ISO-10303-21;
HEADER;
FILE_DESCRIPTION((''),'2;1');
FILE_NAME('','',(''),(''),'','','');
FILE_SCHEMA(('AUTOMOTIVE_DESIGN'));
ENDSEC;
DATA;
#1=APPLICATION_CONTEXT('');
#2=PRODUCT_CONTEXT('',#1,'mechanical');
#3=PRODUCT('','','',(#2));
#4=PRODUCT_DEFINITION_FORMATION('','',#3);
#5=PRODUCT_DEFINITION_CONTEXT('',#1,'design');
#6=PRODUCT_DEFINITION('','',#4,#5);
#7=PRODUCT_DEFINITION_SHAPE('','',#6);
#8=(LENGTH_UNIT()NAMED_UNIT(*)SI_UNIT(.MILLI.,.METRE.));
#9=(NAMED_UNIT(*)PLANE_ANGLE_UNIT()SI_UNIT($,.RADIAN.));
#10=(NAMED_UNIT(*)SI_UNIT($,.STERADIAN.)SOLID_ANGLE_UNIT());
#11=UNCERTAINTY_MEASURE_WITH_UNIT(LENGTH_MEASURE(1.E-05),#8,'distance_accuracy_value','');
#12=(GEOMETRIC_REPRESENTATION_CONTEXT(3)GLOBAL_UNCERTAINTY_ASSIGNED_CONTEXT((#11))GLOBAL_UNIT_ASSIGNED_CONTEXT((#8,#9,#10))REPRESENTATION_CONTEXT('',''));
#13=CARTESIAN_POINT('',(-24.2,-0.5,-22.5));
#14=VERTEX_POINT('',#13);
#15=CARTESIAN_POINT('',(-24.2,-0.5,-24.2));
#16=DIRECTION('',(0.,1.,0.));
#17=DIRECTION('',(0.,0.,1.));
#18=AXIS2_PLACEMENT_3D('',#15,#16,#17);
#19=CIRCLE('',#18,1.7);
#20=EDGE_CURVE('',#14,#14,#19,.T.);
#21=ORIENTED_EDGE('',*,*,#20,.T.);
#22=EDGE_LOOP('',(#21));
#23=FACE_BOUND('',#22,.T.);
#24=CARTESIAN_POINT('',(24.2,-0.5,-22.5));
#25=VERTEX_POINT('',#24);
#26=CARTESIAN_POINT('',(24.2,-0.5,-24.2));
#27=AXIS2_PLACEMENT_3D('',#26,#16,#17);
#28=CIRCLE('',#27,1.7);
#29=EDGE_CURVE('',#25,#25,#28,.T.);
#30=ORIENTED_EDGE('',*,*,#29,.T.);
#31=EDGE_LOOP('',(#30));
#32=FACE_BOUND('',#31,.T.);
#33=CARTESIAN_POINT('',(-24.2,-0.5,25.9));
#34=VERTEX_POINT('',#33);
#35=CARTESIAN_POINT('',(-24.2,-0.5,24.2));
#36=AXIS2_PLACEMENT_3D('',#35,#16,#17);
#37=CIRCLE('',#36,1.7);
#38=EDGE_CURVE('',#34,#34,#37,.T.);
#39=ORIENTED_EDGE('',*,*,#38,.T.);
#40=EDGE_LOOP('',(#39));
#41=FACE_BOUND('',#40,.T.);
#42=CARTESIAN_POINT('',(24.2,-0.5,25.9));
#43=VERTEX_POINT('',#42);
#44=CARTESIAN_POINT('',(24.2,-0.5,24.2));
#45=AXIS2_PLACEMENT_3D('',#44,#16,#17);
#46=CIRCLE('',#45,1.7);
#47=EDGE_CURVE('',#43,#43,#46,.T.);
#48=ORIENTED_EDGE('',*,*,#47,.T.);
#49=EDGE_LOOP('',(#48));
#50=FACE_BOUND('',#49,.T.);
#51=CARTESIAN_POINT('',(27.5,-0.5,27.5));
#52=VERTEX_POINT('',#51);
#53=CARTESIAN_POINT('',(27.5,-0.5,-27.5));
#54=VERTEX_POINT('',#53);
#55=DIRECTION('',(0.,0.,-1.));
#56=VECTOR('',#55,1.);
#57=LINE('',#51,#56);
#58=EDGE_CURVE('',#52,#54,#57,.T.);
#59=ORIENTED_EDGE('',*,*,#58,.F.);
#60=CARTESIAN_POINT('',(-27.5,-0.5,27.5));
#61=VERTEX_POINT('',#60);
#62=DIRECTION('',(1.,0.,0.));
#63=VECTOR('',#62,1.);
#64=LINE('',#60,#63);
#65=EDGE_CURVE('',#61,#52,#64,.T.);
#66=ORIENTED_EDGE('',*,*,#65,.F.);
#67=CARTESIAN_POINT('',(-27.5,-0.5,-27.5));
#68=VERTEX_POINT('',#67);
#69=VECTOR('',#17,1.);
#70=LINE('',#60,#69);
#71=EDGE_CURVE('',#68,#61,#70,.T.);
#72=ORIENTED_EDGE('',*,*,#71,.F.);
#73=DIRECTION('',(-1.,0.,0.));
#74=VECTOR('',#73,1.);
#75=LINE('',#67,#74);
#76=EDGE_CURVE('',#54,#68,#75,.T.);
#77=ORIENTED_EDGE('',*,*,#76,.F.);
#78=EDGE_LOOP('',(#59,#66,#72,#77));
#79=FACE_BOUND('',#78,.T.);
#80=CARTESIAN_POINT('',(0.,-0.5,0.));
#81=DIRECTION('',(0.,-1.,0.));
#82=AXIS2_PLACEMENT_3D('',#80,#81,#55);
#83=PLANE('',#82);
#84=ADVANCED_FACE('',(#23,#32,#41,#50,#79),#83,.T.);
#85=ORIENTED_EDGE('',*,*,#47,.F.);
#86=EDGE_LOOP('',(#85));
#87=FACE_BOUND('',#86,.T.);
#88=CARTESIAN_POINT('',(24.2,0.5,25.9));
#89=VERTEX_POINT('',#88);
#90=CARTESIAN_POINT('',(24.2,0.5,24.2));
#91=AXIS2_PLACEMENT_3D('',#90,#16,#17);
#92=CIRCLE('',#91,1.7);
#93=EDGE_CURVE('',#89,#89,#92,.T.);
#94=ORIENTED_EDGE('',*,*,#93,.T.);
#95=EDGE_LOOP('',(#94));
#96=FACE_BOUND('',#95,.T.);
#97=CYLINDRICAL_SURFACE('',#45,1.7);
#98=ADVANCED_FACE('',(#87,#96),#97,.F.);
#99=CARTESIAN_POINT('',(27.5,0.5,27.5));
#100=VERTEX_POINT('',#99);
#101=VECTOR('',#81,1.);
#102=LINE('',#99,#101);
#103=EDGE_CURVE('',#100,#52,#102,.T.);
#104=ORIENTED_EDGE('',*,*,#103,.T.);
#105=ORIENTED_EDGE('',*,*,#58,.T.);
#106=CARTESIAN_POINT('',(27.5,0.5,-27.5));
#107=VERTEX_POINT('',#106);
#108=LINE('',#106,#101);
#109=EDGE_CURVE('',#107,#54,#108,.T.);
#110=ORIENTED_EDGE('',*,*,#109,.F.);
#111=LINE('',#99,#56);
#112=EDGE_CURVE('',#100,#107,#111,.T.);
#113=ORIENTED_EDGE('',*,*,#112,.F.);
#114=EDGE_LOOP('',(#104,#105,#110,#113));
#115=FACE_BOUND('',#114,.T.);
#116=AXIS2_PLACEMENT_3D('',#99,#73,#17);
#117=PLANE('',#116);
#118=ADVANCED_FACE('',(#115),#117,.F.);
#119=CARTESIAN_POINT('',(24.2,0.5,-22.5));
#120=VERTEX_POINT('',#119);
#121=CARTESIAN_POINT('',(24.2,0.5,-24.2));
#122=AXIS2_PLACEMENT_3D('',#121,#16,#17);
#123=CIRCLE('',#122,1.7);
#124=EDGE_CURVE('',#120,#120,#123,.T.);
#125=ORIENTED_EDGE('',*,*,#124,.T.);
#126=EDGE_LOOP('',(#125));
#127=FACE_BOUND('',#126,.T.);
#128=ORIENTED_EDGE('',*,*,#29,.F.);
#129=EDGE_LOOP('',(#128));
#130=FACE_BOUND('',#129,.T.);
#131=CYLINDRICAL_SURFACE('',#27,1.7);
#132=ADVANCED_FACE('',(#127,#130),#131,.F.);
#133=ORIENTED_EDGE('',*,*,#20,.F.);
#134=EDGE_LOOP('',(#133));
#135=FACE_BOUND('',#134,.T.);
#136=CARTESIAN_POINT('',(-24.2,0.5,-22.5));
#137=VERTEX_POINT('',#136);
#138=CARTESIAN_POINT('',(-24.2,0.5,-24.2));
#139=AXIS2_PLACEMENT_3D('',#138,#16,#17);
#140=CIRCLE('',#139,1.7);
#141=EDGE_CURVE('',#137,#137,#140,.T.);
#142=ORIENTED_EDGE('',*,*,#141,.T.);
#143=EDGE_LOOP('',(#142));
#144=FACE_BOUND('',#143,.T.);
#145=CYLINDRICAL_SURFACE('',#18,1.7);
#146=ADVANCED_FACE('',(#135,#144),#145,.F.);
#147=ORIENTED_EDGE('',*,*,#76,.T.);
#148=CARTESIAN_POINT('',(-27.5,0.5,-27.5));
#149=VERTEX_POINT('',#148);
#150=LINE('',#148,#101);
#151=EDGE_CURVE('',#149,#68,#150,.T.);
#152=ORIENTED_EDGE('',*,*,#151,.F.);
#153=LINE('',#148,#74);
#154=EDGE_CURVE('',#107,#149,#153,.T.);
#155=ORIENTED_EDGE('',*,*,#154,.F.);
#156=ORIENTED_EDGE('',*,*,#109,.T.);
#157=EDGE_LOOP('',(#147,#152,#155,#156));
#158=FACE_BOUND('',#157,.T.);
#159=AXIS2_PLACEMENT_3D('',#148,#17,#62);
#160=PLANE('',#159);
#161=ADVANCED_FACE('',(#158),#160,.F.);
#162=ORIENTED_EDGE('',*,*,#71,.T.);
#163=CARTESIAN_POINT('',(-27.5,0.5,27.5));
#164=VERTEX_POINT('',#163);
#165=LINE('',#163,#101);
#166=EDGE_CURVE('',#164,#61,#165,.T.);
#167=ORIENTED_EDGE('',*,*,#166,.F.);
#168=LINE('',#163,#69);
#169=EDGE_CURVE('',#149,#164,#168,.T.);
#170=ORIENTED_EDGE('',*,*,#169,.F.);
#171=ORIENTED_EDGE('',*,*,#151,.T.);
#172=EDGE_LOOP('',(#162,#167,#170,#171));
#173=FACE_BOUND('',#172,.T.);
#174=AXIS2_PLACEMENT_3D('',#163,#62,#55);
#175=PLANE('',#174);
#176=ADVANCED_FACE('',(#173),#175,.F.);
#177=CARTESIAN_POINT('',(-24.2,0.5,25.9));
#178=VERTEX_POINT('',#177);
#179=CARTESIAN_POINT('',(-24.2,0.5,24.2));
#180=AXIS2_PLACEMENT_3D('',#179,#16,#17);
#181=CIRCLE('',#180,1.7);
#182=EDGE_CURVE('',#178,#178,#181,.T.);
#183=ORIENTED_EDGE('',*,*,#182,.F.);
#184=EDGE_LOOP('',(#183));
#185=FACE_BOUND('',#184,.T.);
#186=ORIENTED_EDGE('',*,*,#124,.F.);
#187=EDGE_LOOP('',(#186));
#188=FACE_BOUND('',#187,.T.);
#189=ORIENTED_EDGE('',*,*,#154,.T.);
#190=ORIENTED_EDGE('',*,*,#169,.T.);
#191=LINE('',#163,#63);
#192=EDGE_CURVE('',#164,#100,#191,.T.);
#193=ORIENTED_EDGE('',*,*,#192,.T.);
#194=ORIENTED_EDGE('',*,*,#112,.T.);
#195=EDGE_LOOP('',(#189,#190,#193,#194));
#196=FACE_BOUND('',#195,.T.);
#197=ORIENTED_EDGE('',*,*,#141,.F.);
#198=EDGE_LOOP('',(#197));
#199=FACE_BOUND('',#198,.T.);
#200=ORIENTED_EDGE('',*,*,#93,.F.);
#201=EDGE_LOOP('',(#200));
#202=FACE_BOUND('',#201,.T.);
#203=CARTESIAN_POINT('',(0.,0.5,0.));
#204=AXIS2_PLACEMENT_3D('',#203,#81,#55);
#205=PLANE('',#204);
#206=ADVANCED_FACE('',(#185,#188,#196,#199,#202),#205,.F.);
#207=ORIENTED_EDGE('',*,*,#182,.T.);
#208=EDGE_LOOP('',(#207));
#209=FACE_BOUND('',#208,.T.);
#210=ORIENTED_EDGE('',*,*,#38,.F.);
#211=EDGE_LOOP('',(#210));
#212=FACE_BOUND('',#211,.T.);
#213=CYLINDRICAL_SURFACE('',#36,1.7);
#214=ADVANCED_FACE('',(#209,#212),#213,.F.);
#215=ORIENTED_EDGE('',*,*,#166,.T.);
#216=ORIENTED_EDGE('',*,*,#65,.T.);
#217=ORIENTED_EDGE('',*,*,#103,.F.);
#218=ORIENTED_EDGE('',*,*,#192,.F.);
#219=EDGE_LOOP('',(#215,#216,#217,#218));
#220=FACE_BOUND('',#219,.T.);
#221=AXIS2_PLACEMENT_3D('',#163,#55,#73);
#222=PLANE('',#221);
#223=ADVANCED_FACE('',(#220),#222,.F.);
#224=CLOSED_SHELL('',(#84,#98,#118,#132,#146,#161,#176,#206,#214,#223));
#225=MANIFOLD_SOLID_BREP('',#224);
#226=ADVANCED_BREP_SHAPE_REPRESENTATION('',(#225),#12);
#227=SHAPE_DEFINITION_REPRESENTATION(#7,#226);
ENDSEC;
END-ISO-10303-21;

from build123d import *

# Parameters (mm, degrees)
SKETCH1_W           = 55
SKETCH1_H           = 55
BOSS_EXTRUDE1_DEPTH = 0.5
SKETCH2_R           = 1.7
CUT_EXTRUDE1_DEPTH  = 39.903727328


with BuildPart() as part:
    # Sketch1 → Boss-Extrude1 (new, symmetric)
    with BuildSketch(Plane(origin=(0, 0, 0), x_dir=(1, 0, 0), z_dir=(0, 1, 0))):
        Rectangle(SKETCH1_W, SKETCH1_H)
    extrude(amount=BOSS_EXTRUDE1_DEPTH, both=True)

    # Sketch2 → Cut-Extrude1 (cut, through all)
    with BuildSketch(Plane(origin=(0, 0.5, 0), x_dir=(1, 0, 0), z_dir=(0, 1, 0))):
        with Locations(Location((-24.2, 24.2, 0), (0, 0, 270))):
            Circle(SKETCH2_R)
        with Locations(Location((24.2, 24.2, 0), (0, 0, 270))):
            Circle(SKETCH2_R)
        with Locations(Location((-24.2, -24.2, 0), (0, 0, 270))):
            Circle(SKETCH2_R)
        with Locations(Location((24.2, -24.2, 0), (0, 0, 270))):
            Circle(SKETCH2_R)
    extrude(amount=-CUT_EXTRUDE1_DEPTH, mode=Mode.SUBTRACT)


solid = part.part
